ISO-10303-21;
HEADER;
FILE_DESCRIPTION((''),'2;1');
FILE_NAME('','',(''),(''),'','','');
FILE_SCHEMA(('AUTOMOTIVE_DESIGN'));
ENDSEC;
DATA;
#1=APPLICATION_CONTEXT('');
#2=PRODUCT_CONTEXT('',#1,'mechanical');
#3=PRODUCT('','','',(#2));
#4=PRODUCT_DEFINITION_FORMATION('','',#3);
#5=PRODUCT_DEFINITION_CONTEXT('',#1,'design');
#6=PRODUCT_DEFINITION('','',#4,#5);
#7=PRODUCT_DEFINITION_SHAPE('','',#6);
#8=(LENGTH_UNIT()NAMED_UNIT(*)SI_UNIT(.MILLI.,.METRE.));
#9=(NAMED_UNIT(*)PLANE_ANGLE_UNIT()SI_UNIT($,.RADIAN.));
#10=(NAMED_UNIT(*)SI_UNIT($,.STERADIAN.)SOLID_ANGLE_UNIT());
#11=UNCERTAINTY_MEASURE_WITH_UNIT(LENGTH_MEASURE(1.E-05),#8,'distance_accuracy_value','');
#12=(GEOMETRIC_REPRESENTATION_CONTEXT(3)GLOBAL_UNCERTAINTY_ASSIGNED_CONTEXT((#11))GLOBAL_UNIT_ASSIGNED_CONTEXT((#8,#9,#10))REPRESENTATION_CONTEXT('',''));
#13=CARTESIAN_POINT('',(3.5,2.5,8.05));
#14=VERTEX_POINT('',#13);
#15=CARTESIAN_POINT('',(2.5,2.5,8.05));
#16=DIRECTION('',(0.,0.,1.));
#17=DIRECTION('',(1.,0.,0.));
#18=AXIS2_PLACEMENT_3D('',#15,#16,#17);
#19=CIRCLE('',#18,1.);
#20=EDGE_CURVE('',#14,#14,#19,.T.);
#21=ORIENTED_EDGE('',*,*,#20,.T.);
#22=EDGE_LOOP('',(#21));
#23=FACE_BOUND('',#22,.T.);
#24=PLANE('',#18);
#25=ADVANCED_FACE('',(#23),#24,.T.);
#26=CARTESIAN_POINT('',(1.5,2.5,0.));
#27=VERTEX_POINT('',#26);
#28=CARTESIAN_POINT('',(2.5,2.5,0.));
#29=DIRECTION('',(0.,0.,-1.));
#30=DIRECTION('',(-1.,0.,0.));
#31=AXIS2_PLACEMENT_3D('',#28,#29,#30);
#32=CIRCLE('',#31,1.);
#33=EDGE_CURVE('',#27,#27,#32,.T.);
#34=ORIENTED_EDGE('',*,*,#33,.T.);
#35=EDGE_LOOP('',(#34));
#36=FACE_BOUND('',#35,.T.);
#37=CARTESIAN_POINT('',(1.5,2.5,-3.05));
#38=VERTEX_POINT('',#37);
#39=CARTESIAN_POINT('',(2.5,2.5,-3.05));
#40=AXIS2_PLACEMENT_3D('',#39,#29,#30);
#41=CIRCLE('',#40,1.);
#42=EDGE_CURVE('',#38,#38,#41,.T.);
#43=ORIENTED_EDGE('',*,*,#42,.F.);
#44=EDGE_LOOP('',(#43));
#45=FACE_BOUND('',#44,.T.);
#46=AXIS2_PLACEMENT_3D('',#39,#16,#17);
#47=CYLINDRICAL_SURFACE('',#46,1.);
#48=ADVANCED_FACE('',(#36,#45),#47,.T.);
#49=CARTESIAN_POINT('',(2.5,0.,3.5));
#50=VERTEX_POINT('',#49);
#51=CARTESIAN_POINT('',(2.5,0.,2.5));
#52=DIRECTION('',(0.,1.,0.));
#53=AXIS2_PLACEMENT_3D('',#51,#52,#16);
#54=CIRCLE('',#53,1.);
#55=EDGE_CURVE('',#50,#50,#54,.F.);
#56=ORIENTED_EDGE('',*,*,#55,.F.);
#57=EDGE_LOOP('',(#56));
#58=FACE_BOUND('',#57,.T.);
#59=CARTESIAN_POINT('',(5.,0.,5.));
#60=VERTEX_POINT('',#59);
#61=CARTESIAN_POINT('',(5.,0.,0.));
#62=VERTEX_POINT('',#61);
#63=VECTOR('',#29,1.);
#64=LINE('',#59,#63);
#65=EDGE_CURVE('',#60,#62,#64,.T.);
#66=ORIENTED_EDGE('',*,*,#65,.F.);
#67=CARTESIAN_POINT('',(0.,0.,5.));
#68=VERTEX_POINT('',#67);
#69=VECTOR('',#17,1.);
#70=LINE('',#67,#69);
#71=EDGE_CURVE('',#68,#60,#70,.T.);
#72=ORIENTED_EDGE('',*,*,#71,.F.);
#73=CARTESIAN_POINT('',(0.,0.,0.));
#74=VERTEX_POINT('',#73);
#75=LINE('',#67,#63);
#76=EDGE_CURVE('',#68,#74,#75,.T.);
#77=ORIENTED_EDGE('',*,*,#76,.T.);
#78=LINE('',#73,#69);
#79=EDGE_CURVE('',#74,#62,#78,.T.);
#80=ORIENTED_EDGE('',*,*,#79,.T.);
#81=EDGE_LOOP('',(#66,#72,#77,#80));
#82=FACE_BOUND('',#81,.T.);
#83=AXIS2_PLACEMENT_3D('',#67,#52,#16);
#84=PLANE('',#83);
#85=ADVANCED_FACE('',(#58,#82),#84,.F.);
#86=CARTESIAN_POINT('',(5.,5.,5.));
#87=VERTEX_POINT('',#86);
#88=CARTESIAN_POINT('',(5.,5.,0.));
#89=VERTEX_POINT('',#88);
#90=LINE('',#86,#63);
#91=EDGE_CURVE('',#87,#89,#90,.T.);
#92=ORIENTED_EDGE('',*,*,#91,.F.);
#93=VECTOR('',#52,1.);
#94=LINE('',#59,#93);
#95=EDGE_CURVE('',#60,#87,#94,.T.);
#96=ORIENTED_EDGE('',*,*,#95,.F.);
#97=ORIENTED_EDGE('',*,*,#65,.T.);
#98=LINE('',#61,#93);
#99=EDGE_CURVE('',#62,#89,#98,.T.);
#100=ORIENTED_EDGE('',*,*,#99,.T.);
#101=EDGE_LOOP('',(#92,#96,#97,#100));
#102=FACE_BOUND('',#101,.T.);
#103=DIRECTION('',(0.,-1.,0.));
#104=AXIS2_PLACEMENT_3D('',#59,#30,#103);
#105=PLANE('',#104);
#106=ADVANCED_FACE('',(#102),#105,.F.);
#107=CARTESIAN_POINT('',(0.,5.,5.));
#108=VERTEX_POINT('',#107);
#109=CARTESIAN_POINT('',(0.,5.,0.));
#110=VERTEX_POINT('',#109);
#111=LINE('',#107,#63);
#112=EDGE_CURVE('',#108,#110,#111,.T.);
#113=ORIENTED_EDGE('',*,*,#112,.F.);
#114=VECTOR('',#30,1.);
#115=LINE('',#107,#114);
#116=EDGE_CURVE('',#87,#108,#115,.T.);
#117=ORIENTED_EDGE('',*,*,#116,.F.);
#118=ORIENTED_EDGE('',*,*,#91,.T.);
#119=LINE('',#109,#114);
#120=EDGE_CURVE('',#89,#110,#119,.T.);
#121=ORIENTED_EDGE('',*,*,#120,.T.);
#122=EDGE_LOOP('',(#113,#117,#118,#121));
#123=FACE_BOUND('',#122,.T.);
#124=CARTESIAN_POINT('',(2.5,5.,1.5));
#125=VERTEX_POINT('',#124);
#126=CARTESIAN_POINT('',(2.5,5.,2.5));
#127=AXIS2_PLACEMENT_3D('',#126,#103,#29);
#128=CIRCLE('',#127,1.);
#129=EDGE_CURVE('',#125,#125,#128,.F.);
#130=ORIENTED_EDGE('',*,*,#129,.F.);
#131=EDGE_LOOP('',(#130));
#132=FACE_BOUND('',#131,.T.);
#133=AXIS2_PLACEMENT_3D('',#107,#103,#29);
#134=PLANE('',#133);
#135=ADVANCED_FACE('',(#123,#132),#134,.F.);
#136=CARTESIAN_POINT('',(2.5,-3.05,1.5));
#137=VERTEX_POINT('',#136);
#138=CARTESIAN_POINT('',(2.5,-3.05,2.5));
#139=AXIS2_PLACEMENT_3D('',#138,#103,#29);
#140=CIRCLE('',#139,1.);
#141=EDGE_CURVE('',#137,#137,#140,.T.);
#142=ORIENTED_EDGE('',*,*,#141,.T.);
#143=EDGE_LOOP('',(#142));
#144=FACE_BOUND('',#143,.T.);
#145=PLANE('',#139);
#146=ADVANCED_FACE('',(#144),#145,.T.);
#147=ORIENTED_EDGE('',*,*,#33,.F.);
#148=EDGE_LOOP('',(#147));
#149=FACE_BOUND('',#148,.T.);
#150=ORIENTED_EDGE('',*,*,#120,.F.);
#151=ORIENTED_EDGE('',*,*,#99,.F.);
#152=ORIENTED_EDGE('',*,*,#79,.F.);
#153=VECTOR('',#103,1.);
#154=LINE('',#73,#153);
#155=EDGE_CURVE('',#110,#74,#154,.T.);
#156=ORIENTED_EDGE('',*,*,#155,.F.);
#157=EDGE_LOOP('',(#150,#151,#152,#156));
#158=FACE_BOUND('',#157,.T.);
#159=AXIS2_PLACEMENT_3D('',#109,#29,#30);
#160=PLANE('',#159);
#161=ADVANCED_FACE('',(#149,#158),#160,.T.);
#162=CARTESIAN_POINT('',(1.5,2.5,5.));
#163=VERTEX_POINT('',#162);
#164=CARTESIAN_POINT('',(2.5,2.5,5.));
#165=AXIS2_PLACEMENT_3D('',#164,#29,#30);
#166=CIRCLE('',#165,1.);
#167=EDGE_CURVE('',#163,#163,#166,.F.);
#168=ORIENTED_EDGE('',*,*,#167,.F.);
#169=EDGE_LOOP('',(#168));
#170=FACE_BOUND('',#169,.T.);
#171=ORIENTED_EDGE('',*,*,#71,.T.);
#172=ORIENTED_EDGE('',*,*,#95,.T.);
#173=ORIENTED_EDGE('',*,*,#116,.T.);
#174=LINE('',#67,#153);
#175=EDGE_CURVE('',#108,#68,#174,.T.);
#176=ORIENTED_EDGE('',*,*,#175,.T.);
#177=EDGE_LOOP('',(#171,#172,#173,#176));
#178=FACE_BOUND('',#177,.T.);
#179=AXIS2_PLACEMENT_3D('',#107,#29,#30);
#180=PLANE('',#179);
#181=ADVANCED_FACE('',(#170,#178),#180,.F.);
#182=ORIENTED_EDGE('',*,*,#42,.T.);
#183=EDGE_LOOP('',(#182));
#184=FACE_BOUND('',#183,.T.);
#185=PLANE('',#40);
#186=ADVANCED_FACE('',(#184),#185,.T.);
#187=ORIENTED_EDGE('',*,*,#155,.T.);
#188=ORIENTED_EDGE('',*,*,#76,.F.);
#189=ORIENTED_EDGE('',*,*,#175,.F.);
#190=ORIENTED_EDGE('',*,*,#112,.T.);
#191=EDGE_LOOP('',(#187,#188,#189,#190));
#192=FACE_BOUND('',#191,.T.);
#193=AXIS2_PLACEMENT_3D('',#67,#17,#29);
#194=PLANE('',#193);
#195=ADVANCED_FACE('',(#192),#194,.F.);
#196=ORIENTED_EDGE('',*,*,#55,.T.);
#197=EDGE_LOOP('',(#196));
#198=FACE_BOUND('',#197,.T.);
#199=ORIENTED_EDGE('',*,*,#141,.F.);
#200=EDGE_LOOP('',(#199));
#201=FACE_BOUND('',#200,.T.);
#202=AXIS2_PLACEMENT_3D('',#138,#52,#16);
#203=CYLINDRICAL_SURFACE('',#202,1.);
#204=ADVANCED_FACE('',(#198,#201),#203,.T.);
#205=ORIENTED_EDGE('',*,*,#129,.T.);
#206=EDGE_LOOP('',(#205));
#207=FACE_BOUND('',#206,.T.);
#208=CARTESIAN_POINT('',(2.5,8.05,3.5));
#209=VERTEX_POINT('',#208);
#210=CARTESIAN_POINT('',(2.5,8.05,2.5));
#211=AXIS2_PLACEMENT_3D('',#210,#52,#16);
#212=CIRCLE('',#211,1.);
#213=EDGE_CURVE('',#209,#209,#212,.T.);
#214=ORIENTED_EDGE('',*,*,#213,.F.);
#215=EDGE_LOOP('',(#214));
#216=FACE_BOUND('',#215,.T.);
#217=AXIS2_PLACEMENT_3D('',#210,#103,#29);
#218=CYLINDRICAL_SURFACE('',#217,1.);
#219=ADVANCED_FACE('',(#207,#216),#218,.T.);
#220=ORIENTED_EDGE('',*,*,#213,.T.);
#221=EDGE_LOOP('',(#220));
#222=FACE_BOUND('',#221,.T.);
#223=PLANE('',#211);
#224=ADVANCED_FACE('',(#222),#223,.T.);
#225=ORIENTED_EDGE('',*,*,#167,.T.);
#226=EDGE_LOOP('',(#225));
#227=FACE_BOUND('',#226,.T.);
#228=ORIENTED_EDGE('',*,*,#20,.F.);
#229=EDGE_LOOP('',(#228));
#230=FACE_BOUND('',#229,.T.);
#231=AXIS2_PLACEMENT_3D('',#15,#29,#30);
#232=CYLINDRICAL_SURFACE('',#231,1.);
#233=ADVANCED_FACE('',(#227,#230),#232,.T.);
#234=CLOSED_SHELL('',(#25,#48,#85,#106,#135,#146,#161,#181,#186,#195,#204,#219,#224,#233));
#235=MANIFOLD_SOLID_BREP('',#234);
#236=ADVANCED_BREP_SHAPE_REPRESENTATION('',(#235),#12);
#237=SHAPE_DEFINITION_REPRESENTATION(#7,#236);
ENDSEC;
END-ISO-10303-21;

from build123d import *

# Parameters (mm, degrees)
ESQUISSE1_W        = 5
ESQUISSE1_H        = 5
BOSS_EXTRU_1_DEPTH = 5
ESQUISSE2_R        = 1
BOSS_EXTRU_2_DEPTH = 3.05
BOSS_EXTRU_3_START = 3.05
ESQUISSE3_R        = 1
BOSS_EXTRU_3_DEPTH = 3.05
ESQUISSE4_R        = 1
BOSS_EXTRU_4_DEPTH = 3.05
BOSS_EXTRU_5_START = 3.05
ESQUISSE5_R        = 1
BOSS_EXTRU_5_DEPTH = 3.05


with BuildPart() as part:
    # Esquisse1 → Boss.-Extru.1 (new body)
    with BuildSketch(Plane.XY):
        with Locations((2.5, 2.5)):
            Rectangle(ESQUISSE1_W, ESQUISSE1_H)
    extrude(amount=BOSS_EXTRU_1_DEPTH)

    # Esquisse2 → Boss.-Extru.2 (add)
    with BuildSketch(Plane(origin=(0, 5, 0), x_dir=(1, 0, 0), z_dir=(0, 1, 0))):
        with Locations(Location((2.5, -2.5, 0), (0, 0, 90))):
            Circle(ESQUISSE2_R)
    extrude(amount=BOSS_EXTRU_2_DEPTH)

    # Esquisse3 → Boss.-Extru.3 (add)
    with BuildSketch(Plane.XZ.offset(BOSS_EXTRU_3_START)):
        with Locations(Location((2.5, 2.5, 0), (0, 0, 270))):
            Circle(ESQUISSE3_R)
    extrude(amount=-BOSS_EXTRU_3_DEPTH)

    # Esquisse4 → Boss.-Extru.4 (add)
    with BuildSketch(Plane.XY.offset(5)):
        with Locations(Location((2.5, 2.5, 0), (0, 0, 180))):
            Circle(ESQUISSE4_R)
    extrude(amount=BOSS_EXTRU_4_DEPTH)

    # Esquisse5 → Boss.-Extru.5 (add)
    with BuildSketch(Plane(origin=(0, 0, 0), x_dir=(-1, 0, 0), z_dir=(0, 0, -1)).offset(BOSS_EXTRU_5_START)):
        with Locations((-2.5, 2.5)):
            Circle(ESQUISSE5_R)
    extrude(amount=-BOSS_EXTRU_5_DEPTH)


solid = part.part
